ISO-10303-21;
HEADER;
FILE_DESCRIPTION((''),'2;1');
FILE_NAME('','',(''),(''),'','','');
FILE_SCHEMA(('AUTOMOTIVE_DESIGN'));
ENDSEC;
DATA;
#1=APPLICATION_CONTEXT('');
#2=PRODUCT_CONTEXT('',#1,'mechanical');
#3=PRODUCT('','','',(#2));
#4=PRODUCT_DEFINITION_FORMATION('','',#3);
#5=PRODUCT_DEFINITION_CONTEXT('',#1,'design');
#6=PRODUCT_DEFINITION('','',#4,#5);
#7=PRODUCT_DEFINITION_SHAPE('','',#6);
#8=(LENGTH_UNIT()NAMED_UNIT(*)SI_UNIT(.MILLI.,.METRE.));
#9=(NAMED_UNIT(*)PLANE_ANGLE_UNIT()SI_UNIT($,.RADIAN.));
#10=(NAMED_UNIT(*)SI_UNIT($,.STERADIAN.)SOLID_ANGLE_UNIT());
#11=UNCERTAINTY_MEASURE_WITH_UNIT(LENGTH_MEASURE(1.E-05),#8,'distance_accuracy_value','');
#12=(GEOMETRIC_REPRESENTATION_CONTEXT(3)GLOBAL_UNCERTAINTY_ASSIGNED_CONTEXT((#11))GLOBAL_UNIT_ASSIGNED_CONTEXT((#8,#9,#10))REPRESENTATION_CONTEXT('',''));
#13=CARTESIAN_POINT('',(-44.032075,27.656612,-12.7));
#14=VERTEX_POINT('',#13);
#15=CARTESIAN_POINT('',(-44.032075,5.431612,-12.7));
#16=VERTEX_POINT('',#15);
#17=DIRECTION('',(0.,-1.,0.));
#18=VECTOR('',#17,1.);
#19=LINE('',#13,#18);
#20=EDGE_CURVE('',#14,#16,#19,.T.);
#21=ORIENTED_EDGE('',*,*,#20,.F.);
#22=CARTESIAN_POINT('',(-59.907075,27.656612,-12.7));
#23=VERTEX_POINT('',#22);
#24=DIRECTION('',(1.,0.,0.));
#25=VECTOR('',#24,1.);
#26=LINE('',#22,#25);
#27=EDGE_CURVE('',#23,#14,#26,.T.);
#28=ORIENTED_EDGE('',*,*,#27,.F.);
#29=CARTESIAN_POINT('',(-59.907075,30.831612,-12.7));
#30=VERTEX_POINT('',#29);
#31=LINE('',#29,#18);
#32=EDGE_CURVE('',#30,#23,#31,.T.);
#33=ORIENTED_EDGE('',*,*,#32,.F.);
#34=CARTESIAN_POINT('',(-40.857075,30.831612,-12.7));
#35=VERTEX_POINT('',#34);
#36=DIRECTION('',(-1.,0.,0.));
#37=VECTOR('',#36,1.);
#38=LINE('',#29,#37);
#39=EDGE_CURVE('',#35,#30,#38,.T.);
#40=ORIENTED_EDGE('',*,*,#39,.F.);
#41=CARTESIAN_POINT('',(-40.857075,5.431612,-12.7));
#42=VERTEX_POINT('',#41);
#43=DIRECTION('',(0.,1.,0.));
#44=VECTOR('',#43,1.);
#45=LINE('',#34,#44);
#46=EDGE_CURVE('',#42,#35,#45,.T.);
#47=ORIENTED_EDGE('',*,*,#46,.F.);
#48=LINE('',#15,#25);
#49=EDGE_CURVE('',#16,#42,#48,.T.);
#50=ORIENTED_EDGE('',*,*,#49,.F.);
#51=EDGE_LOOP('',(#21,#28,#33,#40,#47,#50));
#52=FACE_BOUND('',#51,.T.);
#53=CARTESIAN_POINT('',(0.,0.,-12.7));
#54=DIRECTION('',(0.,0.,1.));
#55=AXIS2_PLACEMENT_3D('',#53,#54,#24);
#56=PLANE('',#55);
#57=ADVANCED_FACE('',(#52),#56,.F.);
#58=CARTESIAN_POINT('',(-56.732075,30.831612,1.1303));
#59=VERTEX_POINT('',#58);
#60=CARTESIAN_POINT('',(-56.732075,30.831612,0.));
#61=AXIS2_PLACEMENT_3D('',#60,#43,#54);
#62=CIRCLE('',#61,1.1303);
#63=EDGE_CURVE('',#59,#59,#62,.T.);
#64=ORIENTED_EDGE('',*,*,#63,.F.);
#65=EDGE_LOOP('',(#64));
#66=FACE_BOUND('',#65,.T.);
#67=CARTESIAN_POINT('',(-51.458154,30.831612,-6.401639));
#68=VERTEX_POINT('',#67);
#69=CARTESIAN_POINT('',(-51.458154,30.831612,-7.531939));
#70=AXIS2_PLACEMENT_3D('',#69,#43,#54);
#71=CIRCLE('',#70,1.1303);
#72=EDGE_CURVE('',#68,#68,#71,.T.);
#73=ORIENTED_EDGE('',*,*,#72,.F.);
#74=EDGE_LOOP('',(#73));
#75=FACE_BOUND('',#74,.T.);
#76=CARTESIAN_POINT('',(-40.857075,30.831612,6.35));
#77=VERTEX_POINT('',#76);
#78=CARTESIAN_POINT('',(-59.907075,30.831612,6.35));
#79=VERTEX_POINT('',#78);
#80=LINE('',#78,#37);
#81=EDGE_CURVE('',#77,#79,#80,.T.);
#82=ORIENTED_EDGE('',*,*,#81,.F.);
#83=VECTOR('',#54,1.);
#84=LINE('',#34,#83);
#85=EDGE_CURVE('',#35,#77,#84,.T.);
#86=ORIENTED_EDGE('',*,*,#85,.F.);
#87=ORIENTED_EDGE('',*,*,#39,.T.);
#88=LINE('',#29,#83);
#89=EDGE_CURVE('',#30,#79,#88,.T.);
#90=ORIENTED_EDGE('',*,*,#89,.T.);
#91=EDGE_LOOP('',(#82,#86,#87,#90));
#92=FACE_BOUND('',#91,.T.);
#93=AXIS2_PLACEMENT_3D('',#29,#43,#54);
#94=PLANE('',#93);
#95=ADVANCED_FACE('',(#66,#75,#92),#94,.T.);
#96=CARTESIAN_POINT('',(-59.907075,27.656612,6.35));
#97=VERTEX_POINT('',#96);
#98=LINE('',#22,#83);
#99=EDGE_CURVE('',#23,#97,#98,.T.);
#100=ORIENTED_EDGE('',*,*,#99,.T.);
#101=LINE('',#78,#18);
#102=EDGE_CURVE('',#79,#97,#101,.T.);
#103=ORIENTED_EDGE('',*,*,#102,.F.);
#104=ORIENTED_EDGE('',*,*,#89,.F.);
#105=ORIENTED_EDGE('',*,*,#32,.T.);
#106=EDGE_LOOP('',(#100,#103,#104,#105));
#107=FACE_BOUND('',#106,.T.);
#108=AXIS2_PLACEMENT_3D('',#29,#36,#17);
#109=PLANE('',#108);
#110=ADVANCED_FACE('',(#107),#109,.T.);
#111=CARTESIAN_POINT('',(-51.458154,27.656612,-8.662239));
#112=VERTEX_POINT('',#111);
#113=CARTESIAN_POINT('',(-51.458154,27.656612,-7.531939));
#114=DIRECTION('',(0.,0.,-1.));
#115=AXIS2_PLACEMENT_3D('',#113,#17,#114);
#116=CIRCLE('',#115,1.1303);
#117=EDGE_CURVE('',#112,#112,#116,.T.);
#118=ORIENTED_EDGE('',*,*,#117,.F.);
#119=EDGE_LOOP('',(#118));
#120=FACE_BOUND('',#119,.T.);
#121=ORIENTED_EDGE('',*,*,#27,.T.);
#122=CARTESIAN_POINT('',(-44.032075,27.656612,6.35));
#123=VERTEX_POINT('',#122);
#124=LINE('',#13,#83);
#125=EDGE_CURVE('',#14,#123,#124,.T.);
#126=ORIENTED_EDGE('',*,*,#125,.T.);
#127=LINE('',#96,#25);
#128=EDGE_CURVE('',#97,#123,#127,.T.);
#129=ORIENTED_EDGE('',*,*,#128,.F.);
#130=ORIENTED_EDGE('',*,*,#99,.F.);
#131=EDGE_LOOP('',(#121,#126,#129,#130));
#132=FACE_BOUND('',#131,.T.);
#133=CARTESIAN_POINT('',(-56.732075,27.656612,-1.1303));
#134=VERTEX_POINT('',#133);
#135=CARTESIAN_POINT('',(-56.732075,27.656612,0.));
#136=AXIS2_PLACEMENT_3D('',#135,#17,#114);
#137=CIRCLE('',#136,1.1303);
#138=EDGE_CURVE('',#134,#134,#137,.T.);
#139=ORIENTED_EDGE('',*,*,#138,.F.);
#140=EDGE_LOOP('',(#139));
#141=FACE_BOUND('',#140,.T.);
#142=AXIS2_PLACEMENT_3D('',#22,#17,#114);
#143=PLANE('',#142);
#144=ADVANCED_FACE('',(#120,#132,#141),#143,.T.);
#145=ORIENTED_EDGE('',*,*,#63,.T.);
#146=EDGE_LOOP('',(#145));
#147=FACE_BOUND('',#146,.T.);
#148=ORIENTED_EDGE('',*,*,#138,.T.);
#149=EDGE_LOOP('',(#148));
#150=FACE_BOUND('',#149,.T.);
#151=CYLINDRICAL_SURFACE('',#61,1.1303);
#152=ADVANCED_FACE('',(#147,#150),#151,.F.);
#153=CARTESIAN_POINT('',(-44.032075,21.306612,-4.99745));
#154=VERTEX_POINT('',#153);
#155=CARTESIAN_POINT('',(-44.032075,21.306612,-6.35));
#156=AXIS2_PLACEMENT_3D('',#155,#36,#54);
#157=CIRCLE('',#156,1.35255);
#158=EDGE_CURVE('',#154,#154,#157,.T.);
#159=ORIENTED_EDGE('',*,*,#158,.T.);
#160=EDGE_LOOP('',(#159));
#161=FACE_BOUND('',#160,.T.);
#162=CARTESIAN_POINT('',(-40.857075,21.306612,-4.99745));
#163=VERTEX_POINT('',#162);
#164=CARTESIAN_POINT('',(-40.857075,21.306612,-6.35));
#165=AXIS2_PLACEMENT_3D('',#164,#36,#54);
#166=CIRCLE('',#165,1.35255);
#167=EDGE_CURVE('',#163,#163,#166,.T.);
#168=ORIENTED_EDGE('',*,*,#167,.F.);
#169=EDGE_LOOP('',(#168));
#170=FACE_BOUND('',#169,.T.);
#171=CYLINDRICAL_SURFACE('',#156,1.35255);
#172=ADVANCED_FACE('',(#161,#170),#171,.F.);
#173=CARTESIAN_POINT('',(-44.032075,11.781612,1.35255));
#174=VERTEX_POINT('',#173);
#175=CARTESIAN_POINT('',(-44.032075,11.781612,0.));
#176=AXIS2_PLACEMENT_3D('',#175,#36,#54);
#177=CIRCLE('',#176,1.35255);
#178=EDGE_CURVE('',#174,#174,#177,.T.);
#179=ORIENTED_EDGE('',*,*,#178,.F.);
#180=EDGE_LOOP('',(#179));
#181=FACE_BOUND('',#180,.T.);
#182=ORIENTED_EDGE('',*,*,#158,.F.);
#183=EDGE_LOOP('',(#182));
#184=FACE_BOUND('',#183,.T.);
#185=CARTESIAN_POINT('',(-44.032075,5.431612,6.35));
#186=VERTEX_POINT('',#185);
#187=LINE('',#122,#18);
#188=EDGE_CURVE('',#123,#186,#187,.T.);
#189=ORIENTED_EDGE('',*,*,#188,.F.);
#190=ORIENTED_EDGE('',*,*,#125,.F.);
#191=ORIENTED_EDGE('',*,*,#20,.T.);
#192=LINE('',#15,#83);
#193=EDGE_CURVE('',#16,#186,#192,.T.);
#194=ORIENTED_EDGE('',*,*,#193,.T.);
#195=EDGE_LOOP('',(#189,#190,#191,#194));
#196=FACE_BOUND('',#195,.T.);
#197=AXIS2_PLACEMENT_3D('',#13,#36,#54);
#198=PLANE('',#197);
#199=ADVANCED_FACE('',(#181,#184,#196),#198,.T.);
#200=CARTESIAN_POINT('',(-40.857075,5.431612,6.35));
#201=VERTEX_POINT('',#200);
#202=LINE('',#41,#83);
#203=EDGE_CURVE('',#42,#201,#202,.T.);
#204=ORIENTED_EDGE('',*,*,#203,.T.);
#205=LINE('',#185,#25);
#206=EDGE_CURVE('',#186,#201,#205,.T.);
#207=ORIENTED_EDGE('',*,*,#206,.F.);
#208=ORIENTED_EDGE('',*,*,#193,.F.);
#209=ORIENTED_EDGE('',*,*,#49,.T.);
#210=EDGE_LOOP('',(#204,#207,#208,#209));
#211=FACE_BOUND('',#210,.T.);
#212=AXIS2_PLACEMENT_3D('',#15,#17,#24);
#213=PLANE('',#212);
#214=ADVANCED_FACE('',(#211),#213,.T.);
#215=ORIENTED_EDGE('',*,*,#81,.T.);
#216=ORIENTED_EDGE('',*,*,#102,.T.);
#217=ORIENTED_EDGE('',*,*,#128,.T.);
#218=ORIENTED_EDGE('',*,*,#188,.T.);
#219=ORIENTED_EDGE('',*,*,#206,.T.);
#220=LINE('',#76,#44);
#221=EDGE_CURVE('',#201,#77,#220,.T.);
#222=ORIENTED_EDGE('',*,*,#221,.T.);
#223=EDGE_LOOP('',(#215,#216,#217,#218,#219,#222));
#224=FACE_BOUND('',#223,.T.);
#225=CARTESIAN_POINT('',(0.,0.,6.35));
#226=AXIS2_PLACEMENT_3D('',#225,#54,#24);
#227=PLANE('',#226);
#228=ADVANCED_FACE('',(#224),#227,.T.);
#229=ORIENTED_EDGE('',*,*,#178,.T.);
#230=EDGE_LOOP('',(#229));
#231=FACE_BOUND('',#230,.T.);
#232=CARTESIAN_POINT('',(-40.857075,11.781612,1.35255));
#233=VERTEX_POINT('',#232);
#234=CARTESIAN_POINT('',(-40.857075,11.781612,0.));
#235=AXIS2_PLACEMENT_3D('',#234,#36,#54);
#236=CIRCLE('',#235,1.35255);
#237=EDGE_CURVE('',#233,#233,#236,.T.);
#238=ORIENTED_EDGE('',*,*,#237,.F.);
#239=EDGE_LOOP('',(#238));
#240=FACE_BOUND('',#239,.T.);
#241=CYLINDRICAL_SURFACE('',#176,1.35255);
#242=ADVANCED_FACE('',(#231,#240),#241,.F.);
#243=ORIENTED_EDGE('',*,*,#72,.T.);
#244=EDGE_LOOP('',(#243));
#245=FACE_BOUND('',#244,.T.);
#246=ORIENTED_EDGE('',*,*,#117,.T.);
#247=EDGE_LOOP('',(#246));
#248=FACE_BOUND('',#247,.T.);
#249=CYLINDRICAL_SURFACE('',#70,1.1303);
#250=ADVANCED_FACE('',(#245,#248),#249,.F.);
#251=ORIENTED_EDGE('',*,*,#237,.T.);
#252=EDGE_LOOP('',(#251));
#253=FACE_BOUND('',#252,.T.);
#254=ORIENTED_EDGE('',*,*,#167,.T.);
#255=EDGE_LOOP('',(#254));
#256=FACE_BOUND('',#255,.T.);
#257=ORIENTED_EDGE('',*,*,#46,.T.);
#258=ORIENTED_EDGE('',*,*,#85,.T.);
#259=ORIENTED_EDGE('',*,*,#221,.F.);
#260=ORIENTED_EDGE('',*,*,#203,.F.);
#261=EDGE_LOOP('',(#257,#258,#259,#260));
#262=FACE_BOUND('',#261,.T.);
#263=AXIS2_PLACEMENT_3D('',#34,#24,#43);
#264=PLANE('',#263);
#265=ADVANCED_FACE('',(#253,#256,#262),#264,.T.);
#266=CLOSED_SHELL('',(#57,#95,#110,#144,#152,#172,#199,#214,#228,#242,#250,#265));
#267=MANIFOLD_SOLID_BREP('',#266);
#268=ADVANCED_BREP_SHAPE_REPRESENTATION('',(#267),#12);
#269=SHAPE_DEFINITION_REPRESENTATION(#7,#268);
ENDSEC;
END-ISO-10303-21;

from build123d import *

# Parameters (mm, degrees)
BOSS_EXTRUDE1_DEPTH           = 6.35
BOSS_EXTRUDE1_DEPTH_BACK      = 12.7
TAP_DRILL_FOR_6_32_TAP1_D     = 2.7051
TAP_DRILL_FOR_4_40_TAP1_D     = 2.2606
TAP_DRILL_FOR_4_40_TAP1_DEPTH = 3.302
TAP_DRILL_FOR_4_40_TAP1_TIP   = 0.679152758


with BuildPart() as part:
    # Sketch1 → Boss-Extrude1 (new body, two sides)
    with BuildSketch(Plane.XY) as boss_extrude1_sk:
        Polygon((-59.907074584, 30.83161157), (-40.857074584, 30.83161157), (-40.857074584, 5.43161157), (-44.032074584, 5.43161157), (-44.032074584, 27.65661157), (-59.907074584, 27.65661157), align=None)
    extrude(amount=BOSS_EXTRUDE1_DEPTH)
    extrude(boss_extrude1_sk.sketch, amount=-BOSS_EXTRUDE1_DEPTH_BACK)

    # Tap Drill for #6-32 Tap1 (through all)
    with Locations(Plane(origin=(-44.032074584, 11.78161157, 0), x_dir=(0, 0, -1), z_dir=(-1, 0, 0))):
        with Locations((0, 0), (6.35, -9.525)):
            Hole(TAP_DRILL_FOR_6_32_TAP1_D / 2)

    # Tap Drill for #4-40 Tap1
    with Locations(Plane(origin=(-51.458153967, 30.83161157, -7.531939217), x_dir=(0, 0, 1), z_dir=(0, 1, 0))):
        with Locations((0, 0), (7.531939217, -5.273920617)):
            Hole(TAP_DRILL_FOR_4_40_TAP1_D / 2, depth=TAP_DRILL_FOR_4_40_TAP1_DEPTH)
            with Locations((0, 0, -(TAP_DRILL_FOR_4_40_TAP1_DEPTH + TAP_DRILL_FOR_4_40_TAP1_TIP / 2))):  # 118° drill point
                Cone(0, TAP_DRILL_FOR_4_40_TAP1_D / 2, TAP_DRILL_FOR_4_40_TAP1_TIP, mode=Mode.SUBTRACT)


solid = part.part
